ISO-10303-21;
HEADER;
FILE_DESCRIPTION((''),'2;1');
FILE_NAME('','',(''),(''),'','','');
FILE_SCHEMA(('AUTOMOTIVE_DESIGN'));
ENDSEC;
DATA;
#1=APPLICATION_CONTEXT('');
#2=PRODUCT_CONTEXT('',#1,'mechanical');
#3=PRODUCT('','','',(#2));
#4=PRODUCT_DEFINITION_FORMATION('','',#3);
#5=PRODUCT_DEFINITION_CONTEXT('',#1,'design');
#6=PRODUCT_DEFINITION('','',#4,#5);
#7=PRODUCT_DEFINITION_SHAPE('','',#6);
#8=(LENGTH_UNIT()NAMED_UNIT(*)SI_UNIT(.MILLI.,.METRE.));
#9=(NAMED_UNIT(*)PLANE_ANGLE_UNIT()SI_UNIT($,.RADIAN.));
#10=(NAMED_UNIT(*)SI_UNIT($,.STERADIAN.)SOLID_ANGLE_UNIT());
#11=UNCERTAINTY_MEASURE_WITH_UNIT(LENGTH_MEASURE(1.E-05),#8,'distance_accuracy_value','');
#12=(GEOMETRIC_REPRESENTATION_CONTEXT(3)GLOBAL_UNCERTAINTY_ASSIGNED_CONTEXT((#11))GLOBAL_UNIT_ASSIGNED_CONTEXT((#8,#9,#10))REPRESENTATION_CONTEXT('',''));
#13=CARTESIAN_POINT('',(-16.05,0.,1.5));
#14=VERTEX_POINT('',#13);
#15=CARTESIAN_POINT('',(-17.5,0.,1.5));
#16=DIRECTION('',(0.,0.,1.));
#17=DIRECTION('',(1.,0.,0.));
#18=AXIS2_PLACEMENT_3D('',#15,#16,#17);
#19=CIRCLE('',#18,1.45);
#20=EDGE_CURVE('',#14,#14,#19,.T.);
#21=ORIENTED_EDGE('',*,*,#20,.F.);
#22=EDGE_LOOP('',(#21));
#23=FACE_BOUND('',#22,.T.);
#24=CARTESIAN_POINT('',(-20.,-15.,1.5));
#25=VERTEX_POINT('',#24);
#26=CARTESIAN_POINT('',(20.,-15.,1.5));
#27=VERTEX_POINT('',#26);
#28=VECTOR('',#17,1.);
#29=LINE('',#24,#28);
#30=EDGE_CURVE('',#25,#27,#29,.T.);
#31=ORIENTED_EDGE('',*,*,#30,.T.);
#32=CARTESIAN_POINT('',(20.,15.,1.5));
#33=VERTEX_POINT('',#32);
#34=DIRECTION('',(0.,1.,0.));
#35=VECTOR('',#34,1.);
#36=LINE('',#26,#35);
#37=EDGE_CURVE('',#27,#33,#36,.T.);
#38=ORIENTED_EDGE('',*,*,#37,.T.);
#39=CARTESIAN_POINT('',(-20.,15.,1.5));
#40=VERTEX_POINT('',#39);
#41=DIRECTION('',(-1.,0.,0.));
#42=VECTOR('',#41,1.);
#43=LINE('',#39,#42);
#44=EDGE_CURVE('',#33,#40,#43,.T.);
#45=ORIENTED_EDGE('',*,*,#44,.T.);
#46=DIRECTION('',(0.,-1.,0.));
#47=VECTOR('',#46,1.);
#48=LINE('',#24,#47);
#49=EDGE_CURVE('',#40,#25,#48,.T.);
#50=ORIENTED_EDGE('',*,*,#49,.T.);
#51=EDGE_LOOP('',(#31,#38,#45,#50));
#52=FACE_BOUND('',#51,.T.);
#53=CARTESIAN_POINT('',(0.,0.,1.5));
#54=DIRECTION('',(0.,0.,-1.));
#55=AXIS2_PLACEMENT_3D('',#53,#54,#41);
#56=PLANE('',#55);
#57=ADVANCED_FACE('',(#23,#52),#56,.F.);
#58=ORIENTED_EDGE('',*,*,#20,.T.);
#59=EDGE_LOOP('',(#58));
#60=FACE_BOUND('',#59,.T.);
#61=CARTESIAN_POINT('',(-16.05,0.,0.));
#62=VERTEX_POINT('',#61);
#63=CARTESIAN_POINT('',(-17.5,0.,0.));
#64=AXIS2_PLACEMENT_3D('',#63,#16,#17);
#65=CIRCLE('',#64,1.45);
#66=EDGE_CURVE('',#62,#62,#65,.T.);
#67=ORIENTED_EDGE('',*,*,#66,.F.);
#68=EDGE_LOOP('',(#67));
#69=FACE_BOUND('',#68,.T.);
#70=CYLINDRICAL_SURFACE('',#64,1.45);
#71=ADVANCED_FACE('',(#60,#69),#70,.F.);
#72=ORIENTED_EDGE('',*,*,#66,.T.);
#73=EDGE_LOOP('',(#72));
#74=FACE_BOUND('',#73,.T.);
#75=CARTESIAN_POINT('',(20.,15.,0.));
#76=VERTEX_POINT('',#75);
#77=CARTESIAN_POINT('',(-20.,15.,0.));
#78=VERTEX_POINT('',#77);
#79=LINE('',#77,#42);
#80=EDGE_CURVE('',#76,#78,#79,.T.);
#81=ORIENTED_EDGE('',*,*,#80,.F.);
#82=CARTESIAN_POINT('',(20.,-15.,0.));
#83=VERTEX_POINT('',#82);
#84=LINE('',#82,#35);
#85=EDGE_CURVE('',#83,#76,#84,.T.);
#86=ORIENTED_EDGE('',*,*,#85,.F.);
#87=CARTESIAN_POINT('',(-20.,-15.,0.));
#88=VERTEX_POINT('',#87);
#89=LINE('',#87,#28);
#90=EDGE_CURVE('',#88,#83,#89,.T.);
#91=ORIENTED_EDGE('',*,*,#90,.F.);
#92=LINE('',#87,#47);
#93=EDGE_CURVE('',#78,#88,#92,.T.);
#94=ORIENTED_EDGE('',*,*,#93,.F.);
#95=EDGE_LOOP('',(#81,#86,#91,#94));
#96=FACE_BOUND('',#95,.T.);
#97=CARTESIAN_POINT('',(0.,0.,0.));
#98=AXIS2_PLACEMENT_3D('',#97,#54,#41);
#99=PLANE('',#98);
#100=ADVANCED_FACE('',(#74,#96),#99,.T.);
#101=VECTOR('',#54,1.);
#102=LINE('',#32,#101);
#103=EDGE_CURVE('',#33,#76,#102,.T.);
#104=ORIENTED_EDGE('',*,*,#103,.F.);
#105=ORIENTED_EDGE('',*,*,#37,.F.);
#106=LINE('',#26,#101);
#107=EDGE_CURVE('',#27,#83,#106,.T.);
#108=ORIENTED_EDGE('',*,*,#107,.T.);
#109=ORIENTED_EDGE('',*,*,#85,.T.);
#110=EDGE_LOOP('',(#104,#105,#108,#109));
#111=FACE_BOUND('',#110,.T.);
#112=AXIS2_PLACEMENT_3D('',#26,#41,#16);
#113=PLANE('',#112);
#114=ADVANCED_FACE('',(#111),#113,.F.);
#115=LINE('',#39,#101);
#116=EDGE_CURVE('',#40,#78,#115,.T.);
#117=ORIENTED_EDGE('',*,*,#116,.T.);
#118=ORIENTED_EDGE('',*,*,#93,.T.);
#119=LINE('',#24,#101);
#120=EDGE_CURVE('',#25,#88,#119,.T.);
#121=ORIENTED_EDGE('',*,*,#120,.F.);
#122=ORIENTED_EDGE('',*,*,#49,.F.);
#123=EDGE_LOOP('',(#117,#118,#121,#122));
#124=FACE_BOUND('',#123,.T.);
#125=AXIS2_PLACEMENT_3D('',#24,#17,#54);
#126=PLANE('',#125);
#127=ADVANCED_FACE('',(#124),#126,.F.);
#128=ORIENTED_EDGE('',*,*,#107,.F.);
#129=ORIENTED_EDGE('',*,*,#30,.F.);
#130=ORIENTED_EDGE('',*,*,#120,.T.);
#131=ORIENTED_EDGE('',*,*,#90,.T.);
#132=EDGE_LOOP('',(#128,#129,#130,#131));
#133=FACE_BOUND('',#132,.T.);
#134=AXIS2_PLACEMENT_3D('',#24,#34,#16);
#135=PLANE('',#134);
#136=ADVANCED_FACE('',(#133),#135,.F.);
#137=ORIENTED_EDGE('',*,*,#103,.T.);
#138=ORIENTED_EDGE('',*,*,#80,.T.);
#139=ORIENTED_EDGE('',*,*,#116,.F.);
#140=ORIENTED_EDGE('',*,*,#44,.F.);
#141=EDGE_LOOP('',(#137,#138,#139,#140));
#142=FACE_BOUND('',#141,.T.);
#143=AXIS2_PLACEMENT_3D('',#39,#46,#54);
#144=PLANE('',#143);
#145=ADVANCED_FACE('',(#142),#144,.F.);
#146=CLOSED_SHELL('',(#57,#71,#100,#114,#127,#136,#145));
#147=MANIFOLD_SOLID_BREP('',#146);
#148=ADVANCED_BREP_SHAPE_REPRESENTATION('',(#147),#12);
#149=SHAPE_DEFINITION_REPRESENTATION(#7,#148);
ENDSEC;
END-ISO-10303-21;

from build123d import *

# Parameters (mm, degrees)
SKETCH1_W           = 40
SKETCH1_H           = 30
BOSS_EXTRUDE2_DEPTH = 1.5
SKETCH2_R           = 1.45
CUT_EXTRUDE1_DEPTH  = 26.044959573


with BuildPart() as part:
    # Sketch1 → Boss-Extrude2 (new body)
    with BuildSketch(Plane.XY):
        Rectangle(SKETCH1_W, SKETCH1_H)
    extrude(amount=BOSS_EXTRUDE2_DEPTH)

    # Sketch2 → Cut-Extrude1 (cut, through all)
    with BuildSketch(Plane.XY.offset(1.5)):
        with Locations((-17.5, 0)):
            Circle(SKETCH2_R)
    extrude(amount=-CUT_EXTRUDE1_DEPTH, mode=Mode.SUBTRACT)


solid = part.part
